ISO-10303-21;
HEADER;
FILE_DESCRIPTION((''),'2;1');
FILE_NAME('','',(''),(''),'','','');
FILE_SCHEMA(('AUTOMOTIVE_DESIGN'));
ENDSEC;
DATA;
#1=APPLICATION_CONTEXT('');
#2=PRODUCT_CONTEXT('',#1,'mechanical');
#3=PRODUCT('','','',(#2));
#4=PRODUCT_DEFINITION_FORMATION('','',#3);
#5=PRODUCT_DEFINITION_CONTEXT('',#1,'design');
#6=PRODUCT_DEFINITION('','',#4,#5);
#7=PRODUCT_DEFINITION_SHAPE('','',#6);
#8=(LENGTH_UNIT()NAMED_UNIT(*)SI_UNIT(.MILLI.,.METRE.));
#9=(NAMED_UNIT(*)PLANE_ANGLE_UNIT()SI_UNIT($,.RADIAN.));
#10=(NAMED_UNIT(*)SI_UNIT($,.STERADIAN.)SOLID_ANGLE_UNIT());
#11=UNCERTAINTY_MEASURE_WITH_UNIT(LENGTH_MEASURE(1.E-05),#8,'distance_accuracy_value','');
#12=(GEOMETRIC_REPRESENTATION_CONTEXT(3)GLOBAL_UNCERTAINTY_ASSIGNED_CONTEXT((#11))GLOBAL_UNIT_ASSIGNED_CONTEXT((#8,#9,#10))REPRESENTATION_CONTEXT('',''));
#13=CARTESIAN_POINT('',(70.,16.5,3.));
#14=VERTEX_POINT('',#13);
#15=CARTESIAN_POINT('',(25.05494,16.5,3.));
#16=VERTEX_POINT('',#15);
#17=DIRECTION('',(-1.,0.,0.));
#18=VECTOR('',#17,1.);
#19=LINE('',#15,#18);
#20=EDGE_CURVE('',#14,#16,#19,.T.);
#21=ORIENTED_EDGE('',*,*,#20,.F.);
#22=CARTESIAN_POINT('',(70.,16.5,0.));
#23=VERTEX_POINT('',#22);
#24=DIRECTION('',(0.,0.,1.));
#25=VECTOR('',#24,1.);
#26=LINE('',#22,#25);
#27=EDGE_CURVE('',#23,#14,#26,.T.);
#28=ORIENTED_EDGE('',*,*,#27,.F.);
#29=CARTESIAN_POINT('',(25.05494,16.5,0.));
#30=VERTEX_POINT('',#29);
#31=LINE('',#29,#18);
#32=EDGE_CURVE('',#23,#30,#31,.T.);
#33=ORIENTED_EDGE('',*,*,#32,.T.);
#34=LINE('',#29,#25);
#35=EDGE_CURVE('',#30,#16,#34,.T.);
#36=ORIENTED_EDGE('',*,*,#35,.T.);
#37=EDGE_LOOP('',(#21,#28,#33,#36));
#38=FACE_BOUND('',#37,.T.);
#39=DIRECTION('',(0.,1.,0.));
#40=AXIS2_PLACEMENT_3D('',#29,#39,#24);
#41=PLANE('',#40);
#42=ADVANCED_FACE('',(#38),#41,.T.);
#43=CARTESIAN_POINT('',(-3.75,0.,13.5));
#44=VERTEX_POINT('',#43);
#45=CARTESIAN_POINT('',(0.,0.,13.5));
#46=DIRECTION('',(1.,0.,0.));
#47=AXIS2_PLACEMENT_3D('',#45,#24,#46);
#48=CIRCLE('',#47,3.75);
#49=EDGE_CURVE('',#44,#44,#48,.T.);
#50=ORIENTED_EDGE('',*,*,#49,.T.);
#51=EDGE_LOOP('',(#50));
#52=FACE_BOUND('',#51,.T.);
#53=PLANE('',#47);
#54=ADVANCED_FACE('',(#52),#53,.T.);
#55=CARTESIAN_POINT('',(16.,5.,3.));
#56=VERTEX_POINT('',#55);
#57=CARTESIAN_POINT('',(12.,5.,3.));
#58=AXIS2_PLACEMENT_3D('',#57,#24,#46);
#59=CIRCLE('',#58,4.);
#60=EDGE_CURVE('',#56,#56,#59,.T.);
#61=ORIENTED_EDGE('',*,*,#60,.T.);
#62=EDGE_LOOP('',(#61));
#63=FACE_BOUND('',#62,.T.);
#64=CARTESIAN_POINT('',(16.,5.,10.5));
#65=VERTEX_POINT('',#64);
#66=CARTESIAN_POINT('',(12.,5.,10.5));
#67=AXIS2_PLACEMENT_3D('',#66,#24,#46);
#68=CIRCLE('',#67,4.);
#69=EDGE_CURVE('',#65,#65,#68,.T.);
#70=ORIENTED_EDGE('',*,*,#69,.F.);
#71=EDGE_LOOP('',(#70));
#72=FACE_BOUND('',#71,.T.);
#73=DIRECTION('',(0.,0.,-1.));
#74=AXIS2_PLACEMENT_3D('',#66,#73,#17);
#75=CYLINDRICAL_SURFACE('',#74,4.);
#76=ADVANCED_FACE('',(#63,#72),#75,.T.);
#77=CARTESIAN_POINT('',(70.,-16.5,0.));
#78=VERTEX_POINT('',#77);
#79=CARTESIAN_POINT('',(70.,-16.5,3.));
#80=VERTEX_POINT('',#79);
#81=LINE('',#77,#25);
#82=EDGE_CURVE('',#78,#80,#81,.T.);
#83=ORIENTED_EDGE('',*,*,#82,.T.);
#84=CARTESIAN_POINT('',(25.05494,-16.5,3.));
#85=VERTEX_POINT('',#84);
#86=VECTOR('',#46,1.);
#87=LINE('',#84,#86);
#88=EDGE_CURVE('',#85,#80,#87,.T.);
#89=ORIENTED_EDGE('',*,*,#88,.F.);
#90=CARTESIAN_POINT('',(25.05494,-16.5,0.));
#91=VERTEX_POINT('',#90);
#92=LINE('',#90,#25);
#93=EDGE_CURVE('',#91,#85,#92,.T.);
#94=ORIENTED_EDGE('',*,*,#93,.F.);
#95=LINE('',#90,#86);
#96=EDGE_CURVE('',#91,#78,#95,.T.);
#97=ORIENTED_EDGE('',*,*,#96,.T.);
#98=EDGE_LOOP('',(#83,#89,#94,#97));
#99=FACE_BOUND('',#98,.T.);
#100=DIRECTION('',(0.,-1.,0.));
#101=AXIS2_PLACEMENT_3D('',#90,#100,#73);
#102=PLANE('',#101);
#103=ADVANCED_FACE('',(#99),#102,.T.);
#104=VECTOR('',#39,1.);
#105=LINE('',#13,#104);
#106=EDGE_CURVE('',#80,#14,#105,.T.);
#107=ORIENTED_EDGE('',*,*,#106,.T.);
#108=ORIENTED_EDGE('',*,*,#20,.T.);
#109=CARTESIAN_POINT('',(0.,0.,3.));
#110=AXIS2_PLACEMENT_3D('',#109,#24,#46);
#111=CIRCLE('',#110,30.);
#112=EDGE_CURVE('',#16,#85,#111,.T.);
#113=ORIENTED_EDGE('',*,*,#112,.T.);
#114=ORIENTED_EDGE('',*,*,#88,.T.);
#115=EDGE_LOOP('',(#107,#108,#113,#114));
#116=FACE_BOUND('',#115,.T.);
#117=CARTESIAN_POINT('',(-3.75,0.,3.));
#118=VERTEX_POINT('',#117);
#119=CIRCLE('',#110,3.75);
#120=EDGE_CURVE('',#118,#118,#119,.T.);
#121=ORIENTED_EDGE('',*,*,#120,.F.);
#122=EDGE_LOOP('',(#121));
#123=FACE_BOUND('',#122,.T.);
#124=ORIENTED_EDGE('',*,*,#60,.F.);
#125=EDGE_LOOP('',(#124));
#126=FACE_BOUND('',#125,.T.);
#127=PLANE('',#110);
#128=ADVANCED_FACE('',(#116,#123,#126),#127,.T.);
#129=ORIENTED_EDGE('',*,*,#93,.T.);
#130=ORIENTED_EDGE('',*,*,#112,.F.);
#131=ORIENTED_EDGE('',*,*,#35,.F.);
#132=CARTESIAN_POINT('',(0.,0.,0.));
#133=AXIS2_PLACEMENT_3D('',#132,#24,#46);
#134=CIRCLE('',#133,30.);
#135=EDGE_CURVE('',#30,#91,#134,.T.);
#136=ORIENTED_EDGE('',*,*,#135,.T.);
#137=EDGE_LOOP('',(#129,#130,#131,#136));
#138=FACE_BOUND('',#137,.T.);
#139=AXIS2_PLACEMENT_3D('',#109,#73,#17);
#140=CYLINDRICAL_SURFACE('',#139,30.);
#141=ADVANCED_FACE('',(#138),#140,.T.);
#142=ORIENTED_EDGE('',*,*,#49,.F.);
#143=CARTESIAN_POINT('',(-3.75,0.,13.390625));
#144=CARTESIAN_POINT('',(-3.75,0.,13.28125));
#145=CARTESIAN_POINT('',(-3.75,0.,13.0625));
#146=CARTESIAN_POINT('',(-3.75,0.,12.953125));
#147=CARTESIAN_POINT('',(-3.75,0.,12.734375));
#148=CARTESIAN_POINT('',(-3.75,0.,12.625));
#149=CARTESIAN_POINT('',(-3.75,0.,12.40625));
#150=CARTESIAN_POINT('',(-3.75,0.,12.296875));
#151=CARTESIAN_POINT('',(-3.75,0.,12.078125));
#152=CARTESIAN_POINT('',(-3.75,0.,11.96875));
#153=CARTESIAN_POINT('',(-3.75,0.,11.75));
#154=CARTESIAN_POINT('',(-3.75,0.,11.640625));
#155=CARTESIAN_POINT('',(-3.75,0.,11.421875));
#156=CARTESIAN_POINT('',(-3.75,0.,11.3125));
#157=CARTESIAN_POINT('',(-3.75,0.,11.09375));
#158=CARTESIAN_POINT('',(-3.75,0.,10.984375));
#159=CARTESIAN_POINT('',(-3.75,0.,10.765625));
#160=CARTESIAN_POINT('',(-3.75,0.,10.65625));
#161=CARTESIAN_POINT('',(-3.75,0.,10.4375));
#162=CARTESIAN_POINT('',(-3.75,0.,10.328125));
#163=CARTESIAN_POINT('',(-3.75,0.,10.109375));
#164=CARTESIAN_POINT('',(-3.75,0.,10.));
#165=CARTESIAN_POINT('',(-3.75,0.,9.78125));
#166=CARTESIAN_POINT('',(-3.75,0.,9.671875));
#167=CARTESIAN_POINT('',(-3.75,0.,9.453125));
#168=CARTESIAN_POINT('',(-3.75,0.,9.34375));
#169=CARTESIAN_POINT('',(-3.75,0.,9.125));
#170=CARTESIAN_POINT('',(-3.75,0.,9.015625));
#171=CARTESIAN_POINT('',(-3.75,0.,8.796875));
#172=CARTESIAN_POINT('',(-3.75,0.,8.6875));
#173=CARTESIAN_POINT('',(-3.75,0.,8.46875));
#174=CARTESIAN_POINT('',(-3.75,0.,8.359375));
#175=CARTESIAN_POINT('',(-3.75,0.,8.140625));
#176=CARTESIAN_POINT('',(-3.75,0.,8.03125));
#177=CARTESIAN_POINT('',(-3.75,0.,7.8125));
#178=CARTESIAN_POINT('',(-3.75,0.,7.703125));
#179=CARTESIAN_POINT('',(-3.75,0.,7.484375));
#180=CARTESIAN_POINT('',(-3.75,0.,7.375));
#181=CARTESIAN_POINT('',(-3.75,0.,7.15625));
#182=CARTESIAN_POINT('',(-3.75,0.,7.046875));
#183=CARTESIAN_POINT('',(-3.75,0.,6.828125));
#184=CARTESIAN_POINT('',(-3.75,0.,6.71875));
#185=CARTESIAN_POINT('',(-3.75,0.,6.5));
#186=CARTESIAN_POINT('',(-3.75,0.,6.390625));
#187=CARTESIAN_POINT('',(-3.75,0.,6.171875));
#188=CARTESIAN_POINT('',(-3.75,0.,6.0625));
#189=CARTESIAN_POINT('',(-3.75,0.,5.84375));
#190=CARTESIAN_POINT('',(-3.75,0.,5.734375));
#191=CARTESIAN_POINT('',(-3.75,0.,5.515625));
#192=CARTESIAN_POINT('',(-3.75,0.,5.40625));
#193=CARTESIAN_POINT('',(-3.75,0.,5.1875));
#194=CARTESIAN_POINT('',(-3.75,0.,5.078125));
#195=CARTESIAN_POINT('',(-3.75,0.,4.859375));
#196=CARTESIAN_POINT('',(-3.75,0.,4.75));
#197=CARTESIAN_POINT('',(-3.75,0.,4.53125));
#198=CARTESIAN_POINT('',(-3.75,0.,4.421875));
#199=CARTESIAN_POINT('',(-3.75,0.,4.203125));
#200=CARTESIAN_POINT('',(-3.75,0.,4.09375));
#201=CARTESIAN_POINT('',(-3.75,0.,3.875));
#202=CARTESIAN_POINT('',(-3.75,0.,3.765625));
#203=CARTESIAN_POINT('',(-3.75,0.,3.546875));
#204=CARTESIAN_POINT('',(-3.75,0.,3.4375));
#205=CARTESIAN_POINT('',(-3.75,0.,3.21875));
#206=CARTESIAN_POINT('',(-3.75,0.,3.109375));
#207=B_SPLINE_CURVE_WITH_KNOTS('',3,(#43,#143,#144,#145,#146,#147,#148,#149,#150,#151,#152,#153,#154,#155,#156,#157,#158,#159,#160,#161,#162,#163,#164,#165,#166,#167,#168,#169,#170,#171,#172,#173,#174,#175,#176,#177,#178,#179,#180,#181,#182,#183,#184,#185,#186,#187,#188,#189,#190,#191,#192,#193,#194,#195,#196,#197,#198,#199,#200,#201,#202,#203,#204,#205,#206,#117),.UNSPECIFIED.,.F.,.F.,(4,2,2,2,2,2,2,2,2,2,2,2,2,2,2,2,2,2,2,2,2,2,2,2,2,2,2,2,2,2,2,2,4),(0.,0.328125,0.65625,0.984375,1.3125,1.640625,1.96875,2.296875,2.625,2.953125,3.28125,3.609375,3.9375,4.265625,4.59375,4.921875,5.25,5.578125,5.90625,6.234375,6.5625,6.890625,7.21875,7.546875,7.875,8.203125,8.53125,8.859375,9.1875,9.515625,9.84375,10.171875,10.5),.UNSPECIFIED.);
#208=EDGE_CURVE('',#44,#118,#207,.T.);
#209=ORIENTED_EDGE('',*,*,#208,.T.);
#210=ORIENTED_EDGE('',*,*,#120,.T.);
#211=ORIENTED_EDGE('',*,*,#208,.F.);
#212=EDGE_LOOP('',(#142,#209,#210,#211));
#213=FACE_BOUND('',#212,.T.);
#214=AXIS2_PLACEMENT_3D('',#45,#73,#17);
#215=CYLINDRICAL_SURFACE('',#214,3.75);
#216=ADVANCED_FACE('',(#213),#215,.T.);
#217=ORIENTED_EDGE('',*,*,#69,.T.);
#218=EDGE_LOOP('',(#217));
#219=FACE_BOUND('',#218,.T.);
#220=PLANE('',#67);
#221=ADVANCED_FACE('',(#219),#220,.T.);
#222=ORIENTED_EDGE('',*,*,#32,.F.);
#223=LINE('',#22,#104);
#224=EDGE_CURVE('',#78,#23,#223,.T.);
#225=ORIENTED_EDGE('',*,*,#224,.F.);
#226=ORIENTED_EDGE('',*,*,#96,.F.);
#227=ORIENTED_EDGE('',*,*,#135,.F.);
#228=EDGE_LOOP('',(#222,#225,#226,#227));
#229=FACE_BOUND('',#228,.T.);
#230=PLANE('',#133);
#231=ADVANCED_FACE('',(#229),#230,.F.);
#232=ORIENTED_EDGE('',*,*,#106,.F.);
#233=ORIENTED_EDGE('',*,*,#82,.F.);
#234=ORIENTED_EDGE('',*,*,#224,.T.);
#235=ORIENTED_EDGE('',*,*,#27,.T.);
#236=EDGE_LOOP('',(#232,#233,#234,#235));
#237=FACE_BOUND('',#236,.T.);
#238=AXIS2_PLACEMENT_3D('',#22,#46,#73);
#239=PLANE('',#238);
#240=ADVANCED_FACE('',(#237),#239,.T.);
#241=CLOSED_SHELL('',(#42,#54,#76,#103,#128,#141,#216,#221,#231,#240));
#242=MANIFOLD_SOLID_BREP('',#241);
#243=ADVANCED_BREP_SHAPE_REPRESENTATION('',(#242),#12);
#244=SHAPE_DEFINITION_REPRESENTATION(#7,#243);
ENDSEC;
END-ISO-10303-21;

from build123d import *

# Parameters (mm, degrees)
SKETCH1_R           = 30
BOSS_EXTRUDE1_DEPTH = 3
SKETCH2_R           = 3.75
BOSS_EXTRUDE2_DEPTH = 10.5
SKETCH3_R           = 4
BOSS_EXTRUDE3_DEPTH = 7.5
BOSS_EXTRUDE4_START = -3
BOSS_EXTRUDE4_DEPTH = 3


with BuildPart() as part:
    # Sketch1 → Boss-Extrude1 (new body)
    with BuildSketch(Plane.XY):
        Circle(SKETCH1_R)
    extrude(amount=BOSS_EXTRUDE1_DEPTH)

    # Sketch2 → Boss-Extrude2 (add)
    with BuildSketch(Plane.XY.offset(3)):
        with Locations(Location((0, 0, 0), (0, 0, 180))):
            Circle(SKETCH2_R)
    extrude(amount=BOSS_EXTRUDE2_DEPTH)

    # Sketch3 → Boss-Extrude3 (add)
    with BuildSketch(Plane.XY.offset(3)):
        with Locations((12, 5)):
            Circle(SKETCH3_R)
    extrude(amount=BOSS_EXTRUDE3_DEPTH)

    # Sketch4 → Boss-Extrude4 (add)
    with BuildSketch(Plane.XY.offset(3).offset(BOSS_EXTRUDE4_START)):
        with BuildLine():
            Line((25.054939633, 16.5), (70, 16.5))
            Line((70, 16.5), (70, -16.5))
            Line((70, -16.5), (25.054939633, -16.5))
            ThreePointArc((25.054939633, -16.5), (30, 0), (25.054939633, 16.5))
        make_face()
    extrude(amount=BOSS_EXTRUDE4_DEPTH)


solid = part.part
